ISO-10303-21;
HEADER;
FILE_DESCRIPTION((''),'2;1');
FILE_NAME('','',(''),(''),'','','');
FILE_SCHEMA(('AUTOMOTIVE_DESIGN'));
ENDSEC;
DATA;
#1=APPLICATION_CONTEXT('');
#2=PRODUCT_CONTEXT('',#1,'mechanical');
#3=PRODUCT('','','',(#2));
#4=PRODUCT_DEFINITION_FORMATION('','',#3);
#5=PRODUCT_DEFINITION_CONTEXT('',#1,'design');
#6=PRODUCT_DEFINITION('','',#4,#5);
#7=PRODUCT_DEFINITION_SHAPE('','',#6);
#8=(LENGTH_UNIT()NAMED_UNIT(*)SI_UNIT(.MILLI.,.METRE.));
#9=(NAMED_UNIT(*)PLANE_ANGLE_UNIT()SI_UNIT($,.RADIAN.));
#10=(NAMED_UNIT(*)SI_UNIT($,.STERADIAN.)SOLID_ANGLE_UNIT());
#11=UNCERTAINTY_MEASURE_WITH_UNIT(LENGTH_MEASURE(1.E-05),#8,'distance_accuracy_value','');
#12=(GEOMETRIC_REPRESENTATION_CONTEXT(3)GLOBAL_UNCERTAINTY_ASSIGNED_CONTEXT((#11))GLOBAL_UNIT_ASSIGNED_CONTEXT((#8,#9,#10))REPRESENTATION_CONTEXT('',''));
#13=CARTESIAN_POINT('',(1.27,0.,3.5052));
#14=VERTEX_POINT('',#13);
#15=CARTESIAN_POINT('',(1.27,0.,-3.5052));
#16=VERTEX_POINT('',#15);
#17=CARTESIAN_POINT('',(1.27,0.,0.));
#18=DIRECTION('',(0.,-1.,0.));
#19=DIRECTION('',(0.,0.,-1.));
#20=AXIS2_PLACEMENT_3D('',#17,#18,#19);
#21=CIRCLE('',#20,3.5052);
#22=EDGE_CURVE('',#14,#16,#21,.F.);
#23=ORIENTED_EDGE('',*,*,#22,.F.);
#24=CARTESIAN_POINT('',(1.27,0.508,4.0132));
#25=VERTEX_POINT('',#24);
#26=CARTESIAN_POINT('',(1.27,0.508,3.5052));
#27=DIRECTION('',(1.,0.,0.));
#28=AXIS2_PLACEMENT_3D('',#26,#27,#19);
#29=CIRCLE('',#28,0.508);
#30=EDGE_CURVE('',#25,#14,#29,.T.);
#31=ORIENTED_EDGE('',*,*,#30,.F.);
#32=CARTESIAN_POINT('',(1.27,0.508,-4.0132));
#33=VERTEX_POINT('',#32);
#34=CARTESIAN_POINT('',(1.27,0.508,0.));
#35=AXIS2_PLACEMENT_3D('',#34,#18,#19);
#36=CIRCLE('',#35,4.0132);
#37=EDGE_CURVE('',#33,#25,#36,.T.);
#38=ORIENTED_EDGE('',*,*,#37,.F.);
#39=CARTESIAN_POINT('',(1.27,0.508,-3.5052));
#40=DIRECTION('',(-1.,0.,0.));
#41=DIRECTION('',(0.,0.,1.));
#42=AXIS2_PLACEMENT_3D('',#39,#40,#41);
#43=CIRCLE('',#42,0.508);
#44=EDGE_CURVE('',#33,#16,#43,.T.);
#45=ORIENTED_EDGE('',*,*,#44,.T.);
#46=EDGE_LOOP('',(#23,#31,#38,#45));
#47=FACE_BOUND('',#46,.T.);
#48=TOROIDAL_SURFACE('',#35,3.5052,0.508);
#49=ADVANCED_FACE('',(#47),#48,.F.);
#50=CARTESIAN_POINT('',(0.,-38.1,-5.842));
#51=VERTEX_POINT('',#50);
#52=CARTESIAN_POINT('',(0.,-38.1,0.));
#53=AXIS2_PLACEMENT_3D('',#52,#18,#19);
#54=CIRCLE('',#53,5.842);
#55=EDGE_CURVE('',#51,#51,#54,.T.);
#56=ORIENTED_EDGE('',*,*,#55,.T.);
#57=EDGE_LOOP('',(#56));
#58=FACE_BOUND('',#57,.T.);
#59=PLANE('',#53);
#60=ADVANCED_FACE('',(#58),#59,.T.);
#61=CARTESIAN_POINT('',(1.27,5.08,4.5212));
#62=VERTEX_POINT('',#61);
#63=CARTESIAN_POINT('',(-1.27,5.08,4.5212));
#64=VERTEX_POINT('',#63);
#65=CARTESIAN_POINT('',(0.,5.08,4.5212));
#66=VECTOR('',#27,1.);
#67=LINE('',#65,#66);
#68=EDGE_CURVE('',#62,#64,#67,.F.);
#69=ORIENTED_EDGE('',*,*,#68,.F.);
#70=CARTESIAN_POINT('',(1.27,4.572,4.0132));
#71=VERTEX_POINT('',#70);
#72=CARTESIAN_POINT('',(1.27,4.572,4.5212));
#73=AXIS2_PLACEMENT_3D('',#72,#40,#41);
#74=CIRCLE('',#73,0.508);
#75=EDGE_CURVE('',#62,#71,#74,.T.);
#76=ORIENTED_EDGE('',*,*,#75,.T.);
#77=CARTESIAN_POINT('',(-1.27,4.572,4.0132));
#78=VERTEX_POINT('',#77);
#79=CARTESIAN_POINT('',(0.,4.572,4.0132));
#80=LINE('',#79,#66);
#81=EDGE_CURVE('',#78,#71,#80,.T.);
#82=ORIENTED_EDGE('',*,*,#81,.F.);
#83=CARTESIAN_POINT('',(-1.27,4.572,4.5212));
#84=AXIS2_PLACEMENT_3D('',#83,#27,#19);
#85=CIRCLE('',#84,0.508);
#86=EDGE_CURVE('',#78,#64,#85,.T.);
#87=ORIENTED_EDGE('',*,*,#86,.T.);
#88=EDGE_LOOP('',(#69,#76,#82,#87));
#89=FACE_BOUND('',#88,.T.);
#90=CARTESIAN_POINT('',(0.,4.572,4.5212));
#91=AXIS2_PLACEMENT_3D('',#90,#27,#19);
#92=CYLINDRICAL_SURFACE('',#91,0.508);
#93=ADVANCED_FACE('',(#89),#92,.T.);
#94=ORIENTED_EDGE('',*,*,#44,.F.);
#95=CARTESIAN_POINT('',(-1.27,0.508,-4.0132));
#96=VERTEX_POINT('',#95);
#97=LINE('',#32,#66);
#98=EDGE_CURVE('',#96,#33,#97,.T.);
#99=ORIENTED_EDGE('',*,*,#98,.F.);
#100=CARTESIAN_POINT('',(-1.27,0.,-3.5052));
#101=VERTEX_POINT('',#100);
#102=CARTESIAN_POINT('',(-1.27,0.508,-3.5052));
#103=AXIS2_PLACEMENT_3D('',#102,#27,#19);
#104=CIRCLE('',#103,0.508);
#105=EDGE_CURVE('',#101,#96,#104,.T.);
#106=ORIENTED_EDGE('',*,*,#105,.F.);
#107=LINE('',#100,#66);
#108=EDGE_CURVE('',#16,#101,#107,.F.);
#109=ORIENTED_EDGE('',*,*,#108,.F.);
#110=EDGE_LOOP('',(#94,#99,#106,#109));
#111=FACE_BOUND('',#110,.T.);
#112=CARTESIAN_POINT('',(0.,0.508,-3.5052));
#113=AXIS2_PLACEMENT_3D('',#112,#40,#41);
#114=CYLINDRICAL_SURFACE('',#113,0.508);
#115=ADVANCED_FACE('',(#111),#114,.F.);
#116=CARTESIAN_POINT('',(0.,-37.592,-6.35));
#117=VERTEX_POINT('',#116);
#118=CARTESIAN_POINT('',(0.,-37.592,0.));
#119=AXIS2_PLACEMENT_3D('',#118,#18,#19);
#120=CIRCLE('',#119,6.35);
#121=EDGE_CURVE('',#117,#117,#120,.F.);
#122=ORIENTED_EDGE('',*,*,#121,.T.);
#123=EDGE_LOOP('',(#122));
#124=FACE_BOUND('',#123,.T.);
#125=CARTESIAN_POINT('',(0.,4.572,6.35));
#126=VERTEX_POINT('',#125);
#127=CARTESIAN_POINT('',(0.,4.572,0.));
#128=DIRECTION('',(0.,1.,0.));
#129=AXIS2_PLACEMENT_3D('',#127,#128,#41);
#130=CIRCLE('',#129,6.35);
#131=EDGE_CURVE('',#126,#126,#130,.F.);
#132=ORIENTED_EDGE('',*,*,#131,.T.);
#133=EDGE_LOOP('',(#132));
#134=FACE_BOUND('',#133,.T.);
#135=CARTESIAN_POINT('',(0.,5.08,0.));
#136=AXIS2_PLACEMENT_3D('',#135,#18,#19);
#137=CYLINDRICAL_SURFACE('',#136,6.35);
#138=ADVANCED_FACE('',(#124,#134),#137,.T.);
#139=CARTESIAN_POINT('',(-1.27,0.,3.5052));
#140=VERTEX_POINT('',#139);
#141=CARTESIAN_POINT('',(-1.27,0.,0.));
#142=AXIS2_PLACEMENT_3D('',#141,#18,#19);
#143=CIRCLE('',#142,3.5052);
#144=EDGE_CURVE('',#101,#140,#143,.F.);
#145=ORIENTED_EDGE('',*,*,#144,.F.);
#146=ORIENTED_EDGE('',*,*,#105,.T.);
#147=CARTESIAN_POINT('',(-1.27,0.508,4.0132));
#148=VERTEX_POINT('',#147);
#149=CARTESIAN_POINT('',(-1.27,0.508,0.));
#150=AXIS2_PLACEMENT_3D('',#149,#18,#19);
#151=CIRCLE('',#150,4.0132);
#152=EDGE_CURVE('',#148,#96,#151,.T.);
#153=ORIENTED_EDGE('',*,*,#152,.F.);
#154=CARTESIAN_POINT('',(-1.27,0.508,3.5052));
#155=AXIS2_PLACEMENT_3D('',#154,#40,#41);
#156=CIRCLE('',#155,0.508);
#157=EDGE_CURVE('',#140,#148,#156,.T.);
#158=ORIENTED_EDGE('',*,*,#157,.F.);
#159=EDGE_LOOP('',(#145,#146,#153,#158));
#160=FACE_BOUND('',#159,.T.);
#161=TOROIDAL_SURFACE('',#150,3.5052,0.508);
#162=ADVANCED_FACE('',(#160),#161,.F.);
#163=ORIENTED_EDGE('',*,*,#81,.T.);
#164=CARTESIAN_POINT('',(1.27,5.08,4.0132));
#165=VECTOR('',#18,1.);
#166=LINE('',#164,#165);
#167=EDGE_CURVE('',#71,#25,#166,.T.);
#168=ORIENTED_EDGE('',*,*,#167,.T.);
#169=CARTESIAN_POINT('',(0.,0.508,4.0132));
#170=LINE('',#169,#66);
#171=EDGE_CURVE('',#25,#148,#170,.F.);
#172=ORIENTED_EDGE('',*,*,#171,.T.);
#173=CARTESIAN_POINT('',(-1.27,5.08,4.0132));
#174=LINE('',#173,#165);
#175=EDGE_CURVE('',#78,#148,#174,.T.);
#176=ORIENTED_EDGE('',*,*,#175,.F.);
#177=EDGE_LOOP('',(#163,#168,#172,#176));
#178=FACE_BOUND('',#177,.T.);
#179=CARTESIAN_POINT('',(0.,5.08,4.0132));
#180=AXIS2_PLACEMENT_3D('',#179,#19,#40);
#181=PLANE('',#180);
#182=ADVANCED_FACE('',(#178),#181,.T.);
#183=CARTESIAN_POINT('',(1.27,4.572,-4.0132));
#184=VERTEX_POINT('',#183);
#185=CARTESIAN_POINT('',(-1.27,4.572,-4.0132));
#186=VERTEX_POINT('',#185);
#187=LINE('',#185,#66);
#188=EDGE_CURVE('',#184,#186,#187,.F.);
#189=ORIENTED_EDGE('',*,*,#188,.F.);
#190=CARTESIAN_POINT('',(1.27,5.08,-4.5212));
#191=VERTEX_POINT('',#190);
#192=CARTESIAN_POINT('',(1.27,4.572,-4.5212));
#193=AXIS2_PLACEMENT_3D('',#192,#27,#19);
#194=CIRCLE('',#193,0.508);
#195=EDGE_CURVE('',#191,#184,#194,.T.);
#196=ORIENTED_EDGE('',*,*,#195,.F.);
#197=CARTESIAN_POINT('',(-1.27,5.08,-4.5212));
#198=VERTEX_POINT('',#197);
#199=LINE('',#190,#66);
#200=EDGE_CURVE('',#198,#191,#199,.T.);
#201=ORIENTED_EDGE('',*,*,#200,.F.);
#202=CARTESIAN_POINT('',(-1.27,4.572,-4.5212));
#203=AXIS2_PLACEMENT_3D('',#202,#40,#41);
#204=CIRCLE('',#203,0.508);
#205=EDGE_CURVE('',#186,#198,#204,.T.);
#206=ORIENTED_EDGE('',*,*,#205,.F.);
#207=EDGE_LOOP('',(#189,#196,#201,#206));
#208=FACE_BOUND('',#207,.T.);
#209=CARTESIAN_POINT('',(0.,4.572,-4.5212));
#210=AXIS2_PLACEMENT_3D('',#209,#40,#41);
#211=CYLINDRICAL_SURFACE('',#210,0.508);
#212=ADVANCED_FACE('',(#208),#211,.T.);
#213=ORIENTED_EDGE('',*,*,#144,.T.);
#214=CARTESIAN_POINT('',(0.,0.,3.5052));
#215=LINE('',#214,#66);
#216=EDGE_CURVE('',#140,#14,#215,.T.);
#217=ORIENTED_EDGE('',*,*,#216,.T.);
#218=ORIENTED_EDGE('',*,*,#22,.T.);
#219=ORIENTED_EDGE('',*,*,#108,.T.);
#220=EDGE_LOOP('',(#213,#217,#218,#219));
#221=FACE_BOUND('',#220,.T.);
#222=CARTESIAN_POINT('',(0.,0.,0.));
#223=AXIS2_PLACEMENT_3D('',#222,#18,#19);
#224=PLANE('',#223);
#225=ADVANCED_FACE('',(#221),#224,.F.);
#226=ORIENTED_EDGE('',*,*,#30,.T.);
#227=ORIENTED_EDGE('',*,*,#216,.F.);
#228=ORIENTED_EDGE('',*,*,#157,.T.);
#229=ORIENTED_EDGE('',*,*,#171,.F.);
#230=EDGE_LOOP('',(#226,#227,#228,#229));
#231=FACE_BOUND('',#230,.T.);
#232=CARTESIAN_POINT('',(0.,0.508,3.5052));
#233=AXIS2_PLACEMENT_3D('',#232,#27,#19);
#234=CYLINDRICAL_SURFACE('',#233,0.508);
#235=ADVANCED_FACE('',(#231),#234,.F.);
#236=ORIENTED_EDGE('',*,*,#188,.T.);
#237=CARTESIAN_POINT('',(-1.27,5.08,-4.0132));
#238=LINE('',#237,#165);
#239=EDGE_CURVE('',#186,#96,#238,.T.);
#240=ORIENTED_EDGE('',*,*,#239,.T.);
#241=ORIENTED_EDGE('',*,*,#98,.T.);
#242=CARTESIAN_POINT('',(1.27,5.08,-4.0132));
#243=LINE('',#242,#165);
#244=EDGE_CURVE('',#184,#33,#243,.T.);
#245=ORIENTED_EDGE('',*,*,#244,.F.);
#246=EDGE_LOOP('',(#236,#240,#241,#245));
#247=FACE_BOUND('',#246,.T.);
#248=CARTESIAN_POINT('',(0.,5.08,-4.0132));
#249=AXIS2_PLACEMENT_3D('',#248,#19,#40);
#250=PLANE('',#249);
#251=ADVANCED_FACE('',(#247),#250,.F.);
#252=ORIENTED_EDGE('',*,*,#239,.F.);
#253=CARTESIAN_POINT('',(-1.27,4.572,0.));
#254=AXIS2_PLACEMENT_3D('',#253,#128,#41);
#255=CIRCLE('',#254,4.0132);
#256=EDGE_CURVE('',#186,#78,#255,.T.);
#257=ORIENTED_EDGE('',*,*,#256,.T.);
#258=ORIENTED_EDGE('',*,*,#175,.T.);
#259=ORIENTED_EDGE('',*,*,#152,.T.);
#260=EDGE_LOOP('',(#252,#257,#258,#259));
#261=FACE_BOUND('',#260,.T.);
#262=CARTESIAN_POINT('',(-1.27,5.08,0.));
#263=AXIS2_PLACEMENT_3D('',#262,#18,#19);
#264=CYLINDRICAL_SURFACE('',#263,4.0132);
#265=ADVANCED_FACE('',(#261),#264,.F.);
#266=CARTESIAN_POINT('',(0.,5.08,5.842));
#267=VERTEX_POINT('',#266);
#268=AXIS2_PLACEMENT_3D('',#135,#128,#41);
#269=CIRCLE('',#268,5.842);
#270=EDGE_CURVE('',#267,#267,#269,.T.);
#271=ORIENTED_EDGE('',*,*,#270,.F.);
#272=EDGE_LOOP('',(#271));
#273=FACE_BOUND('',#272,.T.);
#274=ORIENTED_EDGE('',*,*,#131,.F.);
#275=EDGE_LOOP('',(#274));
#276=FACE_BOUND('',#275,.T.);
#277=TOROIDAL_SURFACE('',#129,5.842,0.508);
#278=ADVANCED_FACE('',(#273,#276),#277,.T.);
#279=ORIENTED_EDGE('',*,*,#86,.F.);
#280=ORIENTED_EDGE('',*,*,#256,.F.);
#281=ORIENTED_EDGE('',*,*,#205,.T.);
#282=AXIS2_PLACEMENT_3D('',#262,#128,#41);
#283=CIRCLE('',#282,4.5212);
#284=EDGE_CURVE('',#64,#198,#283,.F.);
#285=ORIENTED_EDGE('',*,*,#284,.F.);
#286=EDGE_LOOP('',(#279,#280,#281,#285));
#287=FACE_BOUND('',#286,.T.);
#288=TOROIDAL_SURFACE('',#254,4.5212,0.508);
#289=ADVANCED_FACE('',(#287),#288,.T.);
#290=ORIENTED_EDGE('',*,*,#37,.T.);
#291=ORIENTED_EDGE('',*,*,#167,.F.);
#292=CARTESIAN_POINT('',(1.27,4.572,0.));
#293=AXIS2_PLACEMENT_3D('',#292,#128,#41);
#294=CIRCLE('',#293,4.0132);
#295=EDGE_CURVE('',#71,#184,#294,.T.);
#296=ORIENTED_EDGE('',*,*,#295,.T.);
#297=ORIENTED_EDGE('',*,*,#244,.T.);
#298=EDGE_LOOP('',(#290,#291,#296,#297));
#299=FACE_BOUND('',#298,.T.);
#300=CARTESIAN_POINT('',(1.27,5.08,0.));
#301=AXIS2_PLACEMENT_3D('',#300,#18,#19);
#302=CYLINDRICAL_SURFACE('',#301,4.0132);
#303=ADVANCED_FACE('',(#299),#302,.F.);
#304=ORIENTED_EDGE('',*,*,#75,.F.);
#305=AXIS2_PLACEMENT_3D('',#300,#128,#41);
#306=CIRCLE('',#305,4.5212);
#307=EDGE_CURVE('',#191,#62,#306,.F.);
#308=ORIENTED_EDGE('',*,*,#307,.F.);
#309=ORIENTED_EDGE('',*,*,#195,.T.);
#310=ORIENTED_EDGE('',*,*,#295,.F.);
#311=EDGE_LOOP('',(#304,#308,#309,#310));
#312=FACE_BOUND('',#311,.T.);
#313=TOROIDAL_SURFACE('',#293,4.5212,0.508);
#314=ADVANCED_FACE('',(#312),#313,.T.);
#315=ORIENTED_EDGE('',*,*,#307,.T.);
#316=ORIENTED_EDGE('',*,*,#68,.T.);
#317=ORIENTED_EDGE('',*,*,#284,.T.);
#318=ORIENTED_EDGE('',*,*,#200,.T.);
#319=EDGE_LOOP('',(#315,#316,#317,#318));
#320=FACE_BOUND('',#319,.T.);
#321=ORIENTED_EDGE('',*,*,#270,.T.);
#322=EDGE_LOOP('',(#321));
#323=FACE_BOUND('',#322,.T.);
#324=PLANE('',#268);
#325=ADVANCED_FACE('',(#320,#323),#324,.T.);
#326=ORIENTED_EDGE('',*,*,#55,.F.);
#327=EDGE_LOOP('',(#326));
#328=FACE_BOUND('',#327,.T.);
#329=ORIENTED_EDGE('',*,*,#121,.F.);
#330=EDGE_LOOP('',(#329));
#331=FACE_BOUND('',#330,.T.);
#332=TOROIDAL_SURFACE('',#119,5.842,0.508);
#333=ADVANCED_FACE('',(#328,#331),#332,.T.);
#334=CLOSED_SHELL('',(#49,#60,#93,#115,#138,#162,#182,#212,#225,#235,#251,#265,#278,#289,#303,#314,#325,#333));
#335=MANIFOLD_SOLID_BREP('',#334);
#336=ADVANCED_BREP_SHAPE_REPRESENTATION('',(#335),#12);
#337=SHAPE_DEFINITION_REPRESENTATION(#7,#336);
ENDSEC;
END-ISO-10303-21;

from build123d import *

# Parameters (mm, degrees)
SKETCH1_R           = 6.35
BOSS_EXTRUDE1_DEPTH = 5.08
BOSS_EXTRUDE2_START = 38.1
SKETCH2_R           = 6.35
BOSS_EXTRUDE2_DEPTH = 38.1
FILLET1_R           = 0.508


with BuildPart() as part:
    # Sketch1 → Boss-Extrude1 (new body)
    with BuildSketch(Plane(origin=(0, 0, 0), x_dir=(1, 0, 0), z_dir=(0, 1, 0))):
        with Locations(Location((0, 0, 0), (0, 0, 270))):
            Circle(SKETCH1_R)
        with BuildLine():
            ThreePointArc((-1.27, 4.0132), (-5.2832, 0), (-1.27, -4.0132))
            Line((-1.27, -4.0132), (1.27, -4.0132))
            ThreePointArc((1.27, -4.0132), (5.2832, 0), (1.27, 4.0132))
            Line((1.27, 4.0132), (-1.27, 4.0132))
        make_face(mode=Mode.SUBTRACT)
    extrude(amount=BOSS_EXTRUDE1_DEPTH)

    # Sketch2 → Boss-Extrude2 (add)
    with BuildSketch(Plane.XZ.offset(BOSS_EXTRUDE2_START)):
        with Locations(Location((0, 0, 0), (0, 0, 270))):
            Circle(SKETCH2_R)
    extrude(amount=-BOSS_EXTRUDE2_DEPTH)

    # Fillet1
    fillet1_edges = [part.edges().sort_by_distance(p)[0] for p in [
        (0, 5.08, -4.0132),
        (5.2832, 5.08, 0),
        (0, -38.1, 6.35),
        (0, 5.08, 4.0132),
        (0, 5.08, -6.35),
        (-5.2832, 5.08, 0),
        (0, 0, 4.0132),
        (5.2832, 0, 0),
        (0, 0, -4.0132),
        (-5.2832, 0, 0),
    ]]
    fillet(fillet1_edges, radius=FILLET1_R)


solid = part.part
